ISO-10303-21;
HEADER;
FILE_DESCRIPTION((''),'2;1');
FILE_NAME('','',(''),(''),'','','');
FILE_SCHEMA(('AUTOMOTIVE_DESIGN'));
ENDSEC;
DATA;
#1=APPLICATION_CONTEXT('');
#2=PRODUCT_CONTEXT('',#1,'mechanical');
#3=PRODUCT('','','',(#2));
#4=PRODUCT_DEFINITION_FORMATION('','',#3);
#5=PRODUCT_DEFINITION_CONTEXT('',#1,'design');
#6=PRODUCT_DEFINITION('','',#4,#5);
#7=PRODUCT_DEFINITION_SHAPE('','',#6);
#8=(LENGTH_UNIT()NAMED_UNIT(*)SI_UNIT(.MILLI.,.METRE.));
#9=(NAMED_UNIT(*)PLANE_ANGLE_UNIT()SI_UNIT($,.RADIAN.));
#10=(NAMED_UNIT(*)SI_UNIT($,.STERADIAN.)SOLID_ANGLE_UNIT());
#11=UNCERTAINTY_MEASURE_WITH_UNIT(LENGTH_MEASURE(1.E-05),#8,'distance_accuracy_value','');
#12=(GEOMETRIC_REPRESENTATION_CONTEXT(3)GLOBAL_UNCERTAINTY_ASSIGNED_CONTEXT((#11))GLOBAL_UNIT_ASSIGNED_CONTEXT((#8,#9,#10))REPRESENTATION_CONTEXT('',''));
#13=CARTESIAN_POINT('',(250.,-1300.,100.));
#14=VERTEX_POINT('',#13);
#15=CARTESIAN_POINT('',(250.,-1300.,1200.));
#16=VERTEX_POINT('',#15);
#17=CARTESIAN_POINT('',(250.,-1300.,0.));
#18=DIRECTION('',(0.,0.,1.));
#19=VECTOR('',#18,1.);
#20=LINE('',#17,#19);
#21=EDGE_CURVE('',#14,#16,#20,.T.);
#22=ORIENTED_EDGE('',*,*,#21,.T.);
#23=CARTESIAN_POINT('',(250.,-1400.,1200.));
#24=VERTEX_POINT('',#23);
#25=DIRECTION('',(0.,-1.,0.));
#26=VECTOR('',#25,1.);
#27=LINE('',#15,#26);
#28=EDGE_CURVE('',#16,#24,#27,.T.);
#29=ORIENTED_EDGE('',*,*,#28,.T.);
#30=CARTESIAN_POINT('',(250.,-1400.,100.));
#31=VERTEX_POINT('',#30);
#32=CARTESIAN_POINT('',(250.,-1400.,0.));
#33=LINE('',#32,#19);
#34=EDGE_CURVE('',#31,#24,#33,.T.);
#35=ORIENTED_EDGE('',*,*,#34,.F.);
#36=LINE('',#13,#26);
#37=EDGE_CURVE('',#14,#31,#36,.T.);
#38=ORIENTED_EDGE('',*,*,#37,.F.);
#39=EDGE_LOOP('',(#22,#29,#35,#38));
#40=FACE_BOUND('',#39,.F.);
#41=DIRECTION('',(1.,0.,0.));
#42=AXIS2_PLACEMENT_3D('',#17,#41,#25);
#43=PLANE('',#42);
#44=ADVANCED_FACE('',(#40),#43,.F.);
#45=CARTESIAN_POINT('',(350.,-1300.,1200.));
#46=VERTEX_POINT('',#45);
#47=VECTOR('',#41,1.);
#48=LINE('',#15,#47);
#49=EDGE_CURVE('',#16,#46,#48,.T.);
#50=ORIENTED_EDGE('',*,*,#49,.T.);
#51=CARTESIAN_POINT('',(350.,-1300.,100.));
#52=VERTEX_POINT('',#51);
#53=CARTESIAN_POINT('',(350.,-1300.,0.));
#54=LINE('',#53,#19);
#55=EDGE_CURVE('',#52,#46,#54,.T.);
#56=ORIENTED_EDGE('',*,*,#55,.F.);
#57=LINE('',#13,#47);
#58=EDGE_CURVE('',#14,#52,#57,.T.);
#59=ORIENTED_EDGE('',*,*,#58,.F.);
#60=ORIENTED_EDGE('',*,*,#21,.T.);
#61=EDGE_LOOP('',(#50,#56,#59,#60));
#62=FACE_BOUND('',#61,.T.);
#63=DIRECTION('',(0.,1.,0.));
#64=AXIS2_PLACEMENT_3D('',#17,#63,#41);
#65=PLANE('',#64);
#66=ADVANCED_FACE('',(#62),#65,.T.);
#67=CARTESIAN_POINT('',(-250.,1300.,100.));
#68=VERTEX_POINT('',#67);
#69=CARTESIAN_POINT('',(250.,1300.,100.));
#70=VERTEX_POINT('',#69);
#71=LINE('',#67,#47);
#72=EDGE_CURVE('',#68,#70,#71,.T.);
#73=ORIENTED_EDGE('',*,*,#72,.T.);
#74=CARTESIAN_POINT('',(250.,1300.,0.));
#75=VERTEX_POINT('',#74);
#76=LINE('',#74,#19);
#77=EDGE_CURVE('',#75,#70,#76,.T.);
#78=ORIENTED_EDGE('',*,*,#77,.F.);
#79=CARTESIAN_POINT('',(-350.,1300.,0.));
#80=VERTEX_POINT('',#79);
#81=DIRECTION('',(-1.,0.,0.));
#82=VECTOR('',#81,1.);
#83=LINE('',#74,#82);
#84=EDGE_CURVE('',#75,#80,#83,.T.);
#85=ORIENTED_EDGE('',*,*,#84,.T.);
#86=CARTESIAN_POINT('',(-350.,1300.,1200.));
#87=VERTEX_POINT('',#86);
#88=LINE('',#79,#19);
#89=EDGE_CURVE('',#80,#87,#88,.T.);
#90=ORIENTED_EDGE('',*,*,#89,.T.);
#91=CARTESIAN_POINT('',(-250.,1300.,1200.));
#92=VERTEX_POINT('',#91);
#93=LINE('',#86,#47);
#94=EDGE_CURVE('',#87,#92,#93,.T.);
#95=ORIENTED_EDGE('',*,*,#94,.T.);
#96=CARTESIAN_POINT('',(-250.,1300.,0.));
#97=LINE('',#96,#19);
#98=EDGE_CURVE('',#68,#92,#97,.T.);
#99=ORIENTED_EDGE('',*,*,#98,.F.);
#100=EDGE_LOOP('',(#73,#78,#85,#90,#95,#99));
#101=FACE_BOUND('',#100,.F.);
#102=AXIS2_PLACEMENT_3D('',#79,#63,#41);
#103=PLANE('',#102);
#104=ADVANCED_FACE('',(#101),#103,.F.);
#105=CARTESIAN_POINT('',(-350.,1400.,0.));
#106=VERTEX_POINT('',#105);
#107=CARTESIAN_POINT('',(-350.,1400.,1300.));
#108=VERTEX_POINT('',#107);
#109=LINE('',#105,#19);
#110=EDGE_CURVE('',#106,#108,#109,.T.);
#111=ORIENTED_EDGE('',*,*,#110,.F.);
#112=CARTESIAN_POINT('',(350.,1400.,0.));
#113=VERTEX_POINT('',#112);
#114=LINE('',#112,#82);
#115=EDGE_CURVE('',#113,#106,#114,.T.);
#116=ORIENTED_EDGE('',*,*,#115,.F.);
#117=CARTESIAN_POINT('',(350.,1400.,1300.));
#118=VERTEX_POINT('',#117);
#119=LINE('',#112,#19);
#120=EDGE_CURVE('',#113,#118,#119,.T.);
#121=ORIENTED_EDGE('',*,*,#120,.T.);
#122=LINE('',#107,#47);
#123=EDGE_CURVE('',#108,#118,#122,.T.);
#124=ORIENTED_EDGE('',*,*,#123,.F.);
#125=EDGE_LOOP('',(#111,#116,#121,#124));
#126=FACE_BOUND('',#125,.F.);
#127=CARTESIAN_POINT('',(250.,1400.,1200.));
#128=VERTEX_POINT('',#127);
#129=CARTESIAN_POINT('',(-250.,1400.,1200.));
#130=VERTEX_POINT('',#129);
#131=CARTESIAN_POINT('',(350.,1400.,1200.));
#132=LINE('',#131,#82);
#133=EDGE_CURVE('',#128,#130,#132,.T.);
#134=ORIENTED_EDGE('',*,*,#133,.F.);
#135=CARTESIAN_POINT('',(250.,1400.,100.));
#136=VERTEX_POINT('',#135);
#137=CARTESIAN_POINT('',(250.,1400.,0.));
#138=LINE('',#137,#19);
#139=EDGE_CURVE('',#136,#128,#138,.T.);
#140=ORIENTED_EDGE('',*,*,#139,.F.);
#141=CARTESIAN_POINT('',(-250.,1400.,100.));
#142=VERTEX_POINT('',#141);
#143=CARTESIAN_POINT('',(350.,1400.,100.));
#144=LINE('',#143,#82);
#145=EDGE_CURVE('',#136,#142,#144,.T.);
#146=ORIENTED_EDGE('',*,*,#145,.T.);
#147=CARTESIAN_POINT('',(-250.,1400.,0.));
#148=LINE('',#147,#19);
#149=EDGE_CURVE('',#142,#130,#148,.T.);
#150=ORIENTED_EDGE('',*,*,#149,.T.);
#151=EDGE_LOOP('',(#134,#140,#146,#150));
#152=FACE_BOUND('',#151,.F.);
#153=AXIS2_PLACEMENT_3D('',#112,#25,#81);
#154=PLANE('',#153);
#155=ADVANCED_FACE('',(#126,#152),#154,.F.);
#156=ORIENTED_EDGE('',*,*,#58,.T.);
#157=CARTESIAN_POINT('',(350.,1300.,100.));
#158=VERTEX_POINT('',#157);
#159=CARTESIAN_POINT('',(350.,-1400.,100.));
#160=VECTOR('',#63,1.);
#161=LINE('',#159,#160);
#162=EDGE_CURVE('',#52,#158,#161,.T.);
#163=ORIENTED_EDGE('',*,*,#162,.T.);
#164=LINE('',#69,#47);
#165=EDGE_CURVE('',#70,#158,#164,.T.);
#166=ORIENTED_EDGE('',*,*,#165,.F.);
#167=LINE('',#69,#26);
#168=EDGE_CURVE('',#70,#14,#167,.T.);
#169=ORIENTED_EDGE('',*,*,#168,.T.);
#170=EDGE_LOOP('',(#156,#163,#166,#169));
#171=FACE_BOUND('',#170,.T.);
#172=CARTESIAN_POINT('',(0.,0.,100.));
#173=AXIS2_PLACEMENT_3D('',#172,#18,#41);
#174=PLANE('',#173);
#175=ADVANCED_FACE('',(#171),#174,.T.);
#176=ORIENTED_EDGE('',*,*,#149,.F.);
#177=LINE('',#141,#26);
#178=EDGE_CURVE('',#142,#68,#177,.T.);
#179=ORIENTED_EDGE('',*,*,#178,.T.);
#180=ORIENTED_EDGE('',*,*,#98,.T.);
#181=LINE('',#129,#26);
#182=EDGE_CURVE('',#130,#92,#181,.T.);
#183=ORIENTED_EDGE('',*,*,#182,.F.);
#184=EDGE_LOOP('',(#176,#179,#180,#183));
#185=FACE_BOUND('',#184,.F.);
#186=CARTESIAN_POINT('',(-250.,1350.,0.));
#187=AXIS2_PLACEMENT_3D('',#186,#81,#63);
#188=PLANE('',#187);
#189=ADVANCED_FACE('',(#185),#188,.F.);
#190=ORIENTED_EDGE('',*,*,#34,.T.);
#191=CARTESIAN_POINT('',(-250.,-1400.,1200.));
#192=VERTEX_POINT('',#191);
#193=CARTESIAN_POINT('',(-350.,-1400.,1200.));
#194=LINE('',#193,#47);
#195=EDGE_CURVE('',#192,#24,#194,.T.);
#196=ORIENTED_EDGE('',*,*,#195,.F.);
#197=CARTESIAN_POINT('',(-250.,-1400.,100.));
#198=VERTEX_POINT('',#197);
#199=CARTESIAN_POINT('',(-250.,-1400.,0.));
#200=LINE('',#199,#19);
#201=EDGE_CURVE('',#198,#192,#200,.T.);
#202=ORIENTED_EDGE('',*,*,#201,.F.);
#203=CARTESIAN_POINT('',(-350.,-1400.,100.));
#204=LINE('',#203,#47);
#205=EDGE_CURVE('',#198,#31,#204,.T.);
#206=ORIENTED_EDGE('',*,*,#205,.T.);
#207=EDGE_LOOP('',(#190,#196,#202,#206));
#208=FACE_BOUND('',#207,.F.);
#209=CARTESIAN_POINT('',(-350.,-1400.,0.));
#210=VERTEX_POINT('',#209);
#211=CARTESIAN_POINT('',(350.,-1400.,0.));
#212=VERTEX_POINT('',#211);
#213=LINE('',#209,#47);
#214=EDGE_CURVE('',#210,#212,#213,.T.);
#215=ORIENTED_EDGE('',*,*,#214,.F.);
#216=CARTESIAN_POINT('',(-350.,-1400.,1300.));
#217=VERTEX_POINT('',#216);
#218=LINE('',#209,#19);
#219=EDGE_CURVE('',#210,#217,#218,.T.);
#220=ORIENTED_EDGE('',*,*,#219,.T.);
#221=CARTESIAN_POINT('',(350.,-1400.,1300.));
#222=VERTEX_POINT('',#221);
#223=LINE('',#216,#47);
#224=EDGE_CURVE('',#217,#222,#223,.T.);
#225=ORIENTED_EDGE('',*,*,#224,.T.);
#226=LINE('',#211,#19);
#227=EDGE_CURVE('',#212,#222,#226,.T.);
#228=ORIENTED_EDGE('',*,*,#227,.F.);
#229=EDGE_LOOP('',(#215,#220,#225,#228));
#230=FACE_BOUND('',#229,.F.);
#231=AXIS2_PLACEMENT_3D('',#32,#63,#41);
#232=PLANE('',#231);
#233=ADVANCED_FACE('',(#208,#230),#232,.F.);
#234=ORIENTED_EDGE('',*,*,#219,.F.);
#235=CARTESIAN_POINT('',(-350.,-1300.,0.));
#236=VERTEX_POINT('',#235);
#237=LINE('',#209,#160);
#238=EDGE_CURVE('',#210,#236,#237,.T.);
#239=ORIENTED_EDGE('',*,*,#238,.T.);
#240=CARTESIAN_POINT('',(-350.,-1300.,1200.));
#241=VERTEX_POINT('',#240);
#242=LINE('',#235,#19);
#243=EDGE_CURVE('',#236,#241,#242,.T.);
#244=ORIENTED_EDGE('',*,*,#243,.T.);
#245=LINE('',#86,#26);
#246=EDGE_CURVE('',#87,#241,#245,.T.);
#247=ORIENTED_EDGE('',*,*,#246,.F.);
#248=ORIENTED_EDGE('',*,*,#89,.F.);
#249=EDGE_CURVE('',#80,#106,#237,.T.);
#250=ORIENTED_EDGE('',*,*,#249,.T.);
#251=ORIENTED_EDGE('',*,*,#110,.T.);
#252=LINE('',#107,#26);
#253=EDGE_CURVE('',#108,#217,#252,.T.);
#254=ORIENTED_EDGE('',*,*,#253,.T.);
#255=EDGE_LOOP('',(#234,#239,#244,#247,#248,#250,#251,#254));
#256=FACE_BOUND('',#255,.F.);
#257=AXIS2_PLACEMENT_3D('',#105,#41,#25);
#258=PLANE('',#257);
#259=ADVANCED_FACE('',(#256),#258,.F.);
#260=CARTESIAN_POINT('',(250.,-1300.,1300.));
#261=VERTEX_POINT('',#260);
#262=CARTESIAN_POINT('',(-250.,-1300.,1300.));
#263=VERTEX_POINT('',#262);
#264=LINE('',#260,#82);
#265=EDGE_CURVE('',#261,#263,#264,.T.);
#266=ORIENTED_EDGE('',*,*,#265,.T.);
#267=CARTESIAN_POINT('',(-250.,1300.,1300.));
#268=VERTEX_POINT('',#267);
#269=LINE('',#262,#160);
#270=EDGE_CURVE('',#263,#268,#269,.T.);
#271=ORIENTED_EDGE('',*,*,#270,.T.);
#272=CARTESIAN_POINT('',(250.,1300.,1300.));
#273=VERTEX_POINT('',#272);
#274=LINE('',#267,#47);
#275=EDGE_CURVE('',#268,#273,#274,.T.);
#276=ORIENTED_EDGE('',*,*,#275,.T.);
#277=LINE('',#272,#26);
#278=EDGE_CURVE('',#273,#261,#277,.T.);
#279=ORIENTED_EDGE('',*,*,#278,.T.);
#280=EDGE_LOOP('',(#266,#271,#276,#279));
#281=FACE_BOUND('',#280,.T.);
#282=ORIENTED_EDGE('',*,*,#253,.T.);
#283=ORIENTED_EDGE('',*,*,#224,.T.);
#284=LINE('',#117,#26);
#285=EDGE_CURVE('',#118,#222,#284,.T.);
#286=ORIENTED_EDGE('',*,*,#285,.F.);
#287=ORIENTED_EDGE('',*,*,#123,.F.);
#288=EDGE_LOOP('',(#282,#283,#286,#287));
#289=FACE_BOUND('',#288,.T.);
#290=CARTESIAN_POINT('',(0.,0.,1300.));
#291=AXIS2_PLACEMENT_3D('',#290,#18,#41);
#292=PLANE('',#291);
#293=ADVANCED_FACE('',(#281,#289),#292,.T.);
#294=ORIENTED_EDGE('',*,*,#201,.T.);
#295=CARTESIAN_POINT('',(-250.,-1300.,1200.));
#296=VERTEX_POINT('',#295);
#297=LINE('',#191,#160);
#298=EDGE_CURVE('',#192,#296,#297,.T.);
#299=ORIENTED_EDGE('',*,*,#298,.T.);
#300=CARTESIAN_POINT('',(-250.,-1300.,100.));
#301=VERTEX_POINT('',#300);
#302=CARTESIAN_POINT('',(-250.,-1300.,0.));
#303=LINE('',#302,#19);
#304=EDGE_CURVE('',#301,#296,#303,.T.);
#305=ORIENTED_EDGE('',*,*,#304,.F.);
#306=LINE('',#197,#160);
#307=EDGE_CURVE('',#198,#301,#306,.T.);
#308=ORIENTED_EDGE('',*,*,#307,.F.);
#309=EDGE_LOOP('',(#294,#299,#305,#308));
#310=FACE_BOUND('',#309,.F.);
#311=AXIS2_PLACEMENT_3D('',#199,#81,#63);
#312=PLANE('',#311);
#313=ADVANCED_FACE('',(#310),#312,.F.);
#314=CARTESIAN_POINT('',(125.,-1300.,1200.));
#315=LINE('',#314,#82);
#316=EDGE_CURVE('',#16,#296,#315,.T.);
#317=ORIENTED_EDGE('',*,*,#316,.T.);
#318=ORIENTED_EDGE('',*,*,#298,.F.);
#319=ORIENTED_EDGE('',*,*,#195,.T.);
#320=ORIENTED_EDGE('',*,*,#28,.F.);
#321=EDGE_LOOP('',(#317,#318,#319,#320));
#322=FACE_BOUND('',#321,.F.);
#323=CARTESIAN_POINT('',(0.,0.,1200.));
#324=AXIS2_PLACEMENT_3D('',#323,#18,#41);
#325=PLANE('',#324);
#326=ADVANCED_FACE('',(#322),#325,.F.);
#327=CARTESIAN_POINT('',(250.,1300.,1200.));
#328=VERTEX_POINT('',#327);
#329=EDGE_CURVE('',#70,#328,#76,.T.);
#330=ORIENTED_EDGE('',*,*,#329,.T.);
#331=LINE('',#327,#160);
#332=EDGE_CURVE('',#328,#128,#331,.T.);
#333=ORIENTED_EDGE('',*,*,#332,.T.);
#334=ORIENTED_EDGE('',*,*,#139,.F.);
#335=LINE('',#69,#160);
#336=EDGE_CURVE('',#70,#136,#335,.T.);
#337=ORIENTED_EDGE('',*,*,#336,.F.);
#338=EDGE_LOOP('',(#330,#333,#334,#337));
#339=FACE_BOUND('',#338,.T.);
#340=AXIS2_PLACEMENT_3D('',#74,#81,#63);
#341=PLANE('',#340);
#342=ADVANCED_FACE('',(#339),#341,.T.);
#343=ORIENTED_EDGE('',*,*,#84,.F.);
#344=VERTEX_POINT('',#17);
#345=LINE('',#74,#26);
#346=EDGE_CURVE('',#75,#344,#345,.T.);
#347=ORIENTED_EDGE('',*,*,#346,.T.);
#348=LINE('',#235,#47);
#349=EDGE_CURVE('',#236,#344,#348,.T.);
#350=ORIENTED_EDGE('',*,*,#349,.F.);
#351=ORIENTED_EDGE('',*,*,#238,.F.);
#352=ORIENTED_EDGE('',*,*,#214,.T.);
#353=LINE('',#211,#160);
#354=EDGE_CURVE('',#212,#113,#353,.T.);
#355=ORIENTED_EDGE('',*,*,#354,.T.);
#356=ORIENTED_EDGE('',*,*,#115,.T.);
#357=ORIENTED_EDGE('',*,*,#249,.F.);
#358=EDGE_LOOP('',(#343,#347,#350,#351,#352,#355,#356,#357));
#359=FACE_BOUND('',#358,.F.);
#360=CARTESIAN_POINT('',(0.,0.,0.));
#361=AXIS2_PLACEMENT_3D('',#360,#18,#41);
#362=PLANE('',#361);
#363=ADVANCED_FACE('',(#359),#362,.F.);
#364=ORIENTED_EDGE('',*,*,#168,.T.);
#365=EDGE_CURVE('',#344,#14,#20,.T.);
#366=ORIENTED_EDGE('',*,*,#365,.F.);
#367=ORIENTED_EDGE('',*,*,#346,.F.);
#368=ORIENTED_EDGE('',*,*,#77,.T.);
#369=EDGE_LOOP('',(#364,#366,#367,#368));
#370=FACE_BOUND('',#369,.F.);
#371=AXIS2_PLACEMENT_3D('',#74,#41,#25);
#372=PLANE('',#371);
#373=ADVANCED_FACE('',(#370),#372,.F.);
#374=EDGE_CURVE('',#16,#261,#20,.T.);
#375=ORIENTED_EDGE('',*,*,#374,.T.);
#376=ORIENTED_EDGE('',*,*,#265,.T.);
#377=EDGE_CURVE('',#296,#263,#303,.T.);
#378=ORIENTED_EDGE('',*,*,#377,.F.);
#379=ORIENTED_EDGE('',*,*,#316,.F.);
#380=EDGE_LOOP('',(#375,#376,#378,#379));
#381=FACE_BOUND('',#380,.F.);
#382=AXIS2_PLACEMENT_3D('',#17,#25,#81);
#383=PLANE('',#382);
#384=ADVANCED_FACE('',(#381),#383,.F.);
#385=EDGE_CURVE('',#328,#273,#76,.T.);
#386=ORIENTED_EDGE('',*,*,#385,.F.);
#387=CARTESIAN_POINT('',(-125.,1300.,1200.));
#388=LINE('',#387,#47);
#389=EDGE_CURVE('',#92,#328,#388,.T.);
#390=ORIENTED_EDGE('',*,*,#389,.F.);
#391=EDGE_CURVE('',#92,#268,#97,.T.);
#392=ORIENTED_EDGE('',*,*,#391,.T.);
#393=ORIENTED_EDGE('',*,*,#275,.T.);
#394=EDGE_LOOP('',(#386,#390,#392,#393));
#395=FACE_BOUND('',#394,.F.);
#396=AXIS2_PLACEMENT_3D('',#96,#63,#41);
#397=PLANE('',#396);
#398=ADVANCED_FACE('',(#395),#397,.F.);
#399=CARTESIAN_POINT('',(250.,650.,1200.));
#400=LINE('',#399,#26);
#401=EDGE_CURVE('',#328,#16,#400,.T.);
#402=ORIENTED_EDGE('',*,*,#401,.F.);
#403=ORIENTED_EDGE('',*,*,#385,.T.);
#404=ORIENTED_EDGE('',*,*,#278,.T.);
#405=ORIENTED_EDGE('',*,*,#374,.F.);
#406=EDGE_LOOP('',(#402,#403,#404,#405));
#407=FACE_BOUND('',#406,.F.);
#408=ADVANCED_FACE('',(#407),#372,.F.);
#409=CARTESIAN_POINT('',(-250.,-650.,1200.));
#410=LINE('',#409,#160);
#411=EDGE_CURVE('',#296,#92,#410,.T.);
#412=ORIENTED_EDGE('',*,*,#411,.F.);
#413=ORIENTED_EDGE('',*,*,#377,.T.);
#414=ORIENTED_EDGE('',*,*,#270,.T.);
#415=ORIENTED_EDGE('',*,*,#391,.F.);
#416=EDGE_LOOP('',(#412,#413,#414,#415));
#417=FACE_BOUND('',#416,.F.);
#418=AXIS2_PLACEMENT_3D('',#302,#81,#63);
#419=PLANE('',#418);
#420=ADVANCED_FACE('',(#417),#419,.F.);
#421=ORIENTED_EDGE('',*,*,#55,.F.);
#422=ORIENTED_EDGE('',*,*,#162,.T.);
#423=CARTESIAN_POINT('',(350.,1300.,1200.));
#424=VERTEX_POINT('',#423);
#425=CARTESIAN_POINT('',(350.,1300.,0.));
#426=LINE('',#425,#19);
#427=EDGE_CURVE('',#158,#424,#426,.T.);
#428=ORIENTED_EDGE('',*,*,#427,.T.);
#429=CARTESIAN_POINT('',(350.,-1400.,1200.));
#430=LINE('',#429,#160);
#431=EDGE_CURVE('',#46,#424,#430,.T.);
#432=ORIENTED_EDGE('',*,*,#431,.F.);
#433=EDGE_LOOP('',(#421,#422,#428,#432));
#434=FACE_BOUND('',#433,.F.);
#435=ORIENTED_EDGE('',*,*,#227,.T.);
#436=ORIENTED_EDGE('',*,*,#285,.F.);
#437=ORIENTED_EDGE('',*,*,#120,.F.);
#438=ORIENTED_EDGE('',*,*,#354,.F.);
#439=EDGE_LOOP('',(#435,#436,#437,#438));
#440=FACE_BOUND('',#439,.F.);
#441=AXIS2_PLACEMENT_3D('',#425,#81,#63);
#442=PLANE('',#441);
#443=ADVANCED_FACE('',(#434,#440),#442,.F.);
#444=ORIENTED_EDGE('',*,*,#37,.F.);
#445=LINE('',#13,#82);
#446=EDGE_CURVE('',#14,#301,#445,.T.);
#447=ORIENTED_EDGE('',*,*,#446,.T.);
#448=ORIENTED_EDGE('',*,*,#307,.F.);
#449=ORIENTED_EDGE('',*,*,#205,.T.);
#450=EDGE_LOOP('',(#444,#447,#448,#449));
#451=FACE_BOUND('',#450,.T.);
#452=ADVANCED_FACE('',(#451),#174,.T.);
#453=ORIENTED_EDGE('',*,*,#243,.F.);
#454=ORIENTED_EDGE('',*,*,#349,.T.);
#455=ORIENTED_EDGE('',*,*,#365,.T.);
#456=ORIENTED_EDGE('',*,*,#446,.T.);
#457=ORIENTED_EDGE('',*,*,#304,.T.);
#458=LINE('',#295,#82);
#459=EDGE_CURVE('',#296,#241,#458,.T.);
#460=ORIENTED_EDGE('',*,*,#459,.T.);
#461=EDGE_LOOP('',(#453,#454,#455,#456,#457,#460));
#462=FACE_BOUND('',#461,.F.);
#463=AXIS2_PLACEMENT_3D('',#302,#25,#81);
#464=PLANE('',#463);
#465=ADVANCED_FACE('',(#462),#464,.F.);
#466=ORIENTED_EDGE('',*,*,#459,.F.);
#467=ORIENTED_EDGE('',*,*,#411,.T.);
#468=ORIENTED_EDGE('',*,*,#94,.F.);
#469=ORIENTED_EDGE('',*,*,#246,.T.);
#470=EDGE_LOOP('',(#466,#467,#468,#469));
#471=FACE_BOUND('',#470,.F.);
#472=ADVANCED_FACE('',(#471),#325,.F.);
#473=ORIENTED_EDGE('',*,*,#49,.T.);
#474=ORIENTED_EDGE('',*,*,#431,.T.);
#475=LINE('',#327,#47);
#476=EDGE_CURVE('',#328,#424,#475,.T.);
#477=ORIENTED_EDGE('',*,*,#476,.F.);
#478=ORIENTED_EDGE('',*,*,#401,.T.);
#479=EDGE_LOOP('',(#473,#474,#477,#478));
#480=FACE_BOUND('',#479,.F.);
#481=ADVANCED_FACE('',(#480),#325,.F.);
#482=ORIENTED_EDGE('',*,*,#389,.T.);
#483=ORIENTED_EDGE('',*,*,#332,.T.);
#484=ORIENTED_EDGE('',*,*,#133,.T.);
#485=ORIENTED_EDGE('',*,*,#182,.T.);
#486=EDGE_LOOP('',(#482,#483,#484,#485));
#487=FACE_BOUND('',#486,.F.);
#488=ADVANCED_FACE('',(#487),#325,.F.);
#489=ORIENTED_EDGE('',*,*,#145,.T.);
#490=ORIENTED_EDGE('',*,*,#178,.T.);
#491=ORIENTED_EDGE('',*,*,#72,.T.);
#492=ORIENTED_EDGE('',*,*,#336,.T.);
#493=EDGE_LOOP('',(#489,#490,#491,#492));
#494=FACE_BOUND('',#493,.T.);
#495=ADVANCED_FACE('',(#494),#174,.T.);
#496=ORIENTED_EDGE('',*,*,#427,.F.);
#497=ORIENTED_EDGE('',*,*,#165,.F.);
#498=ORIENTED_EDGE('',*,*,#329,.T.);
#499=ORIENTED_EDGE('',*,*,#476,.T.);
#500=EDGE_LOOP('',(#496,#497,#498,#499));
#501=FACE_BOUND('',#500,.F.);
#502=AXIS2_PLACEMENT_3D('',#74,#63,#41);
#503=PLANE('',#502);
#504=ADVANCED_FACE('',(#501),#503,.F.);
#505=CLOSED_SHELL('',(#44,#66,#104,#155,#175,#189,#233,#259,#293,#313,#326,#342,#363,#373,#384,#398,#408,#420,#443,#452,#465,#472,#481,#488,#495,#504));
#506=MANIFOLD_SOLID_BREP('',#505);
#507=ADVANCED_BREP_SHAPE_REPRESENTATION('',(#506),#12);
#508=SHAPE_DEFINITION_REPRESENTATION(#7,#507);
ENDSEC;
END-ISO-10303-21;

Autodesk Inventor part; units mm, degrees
ref_plane "YZ Plane" through (0, 0, 0) normal (1, 0, 0) x (0, 1, 0)
ref_plane "XZ Plane" through (0, 0, 0) normal (0, 1, 0) x (-1, 0, 0)
ref_plane "XY Plane" through (0, 0, 0) normal (0, 0, 1) x (1, 0, 0)
sketch "スケッチ1" plane through (0, 0, 0) normal (0, 0, 1) x (1, 0, 0)
  line L0 (-300, 1350) -> (300, 1350) construction
  line L1 (300, 1350) -> (300, -1350) construction
  line L2 (300, -1350) -> (-300, -1350) construction
  line L3 (-300, -1350) -> (-300, 1350) construction
  line L4 (-300, 1350) -> (300, -1350) construction
  line L5 (300, 1350) -> (-300, -1350) construction
  line L6 (350, 1400) -> (-350, 1400)
  line L7 (-350, 1400) -> (-350, 1300)
  line L8 (-350, 1300) -> (-250, 1300)
  line L9 (250, 1300) -> (250, -1300)
  line L10 (250, -1300) -> (-250, -1300)
  line L11 (-350, -1300) -> (-350, -1400)
  line L12 (-350, -1400) -> (350, -1400)
  line L13 (350, -1400) -> (350, 1400)
  line L14 (350, 0) -> (-300, 0) construction
  line L15 (-350, 1300) -> (-350, -1300)
  line L16 (-250, -1400) -> (-250, -1300)
  line L17 (250, 1300) -> (250, 1400)
  line L18 (250, -1300) -> (250, -1400)
  line L19 (250, -1300) -> (350, -1300)
  line L20 (250, 1300) -> (350, 1300)
  line L21 (-250, 1300) -> (-250, 1350)
  line L22 (-250, -1300) -> (-250, 1300)
  line L23 (-250, 1350) -> (-250, 1400)
  line L24 (-250, 1300) -> (250, 1300)
  line L25 (-250, -1300) -> (-350, -1300)
  point P0 (0, 0)
  point P1 (0, 0)
  point P2 (0, 0)
  dimension "d2" = 100
  dimension "d3" = 100
  dimension "d5" = 100
  dimension "d12" = 600
  dimension "d13" = 2600
extrude "押し出し1" add sketch "スケッチ1" along normal blind 1300 contours L13 L20 L17 L6 | L17 L24 L21 L23 L6 | L13 L19 L9 L20 | L23 L21 L8 L7 L6 | L13 L12 L18 L19 | L18 L12 L16 L10 | L22 L25 L15 L8 | L16 L12 L11 L25
extrude "押し出し2" cut sketch "スケッチ1" along normal blind 1200 contours L17 L24 L21 L23 L6 | L13 L19 L9 L20 | L9 L10 L22 L24 | L18 L12 L16 L10 | L22 L25 L15 L8
extrude "押し出し3" add sketch "スケッチ1" along normal blind 100 contours L17 L24 L21 L23 L6 | L13 L19 L9 L20 | L18 L12 L16 L10
equation "\"d3\" = d2"
equation "\"d5\" = d2"
properties part number "Goal"
